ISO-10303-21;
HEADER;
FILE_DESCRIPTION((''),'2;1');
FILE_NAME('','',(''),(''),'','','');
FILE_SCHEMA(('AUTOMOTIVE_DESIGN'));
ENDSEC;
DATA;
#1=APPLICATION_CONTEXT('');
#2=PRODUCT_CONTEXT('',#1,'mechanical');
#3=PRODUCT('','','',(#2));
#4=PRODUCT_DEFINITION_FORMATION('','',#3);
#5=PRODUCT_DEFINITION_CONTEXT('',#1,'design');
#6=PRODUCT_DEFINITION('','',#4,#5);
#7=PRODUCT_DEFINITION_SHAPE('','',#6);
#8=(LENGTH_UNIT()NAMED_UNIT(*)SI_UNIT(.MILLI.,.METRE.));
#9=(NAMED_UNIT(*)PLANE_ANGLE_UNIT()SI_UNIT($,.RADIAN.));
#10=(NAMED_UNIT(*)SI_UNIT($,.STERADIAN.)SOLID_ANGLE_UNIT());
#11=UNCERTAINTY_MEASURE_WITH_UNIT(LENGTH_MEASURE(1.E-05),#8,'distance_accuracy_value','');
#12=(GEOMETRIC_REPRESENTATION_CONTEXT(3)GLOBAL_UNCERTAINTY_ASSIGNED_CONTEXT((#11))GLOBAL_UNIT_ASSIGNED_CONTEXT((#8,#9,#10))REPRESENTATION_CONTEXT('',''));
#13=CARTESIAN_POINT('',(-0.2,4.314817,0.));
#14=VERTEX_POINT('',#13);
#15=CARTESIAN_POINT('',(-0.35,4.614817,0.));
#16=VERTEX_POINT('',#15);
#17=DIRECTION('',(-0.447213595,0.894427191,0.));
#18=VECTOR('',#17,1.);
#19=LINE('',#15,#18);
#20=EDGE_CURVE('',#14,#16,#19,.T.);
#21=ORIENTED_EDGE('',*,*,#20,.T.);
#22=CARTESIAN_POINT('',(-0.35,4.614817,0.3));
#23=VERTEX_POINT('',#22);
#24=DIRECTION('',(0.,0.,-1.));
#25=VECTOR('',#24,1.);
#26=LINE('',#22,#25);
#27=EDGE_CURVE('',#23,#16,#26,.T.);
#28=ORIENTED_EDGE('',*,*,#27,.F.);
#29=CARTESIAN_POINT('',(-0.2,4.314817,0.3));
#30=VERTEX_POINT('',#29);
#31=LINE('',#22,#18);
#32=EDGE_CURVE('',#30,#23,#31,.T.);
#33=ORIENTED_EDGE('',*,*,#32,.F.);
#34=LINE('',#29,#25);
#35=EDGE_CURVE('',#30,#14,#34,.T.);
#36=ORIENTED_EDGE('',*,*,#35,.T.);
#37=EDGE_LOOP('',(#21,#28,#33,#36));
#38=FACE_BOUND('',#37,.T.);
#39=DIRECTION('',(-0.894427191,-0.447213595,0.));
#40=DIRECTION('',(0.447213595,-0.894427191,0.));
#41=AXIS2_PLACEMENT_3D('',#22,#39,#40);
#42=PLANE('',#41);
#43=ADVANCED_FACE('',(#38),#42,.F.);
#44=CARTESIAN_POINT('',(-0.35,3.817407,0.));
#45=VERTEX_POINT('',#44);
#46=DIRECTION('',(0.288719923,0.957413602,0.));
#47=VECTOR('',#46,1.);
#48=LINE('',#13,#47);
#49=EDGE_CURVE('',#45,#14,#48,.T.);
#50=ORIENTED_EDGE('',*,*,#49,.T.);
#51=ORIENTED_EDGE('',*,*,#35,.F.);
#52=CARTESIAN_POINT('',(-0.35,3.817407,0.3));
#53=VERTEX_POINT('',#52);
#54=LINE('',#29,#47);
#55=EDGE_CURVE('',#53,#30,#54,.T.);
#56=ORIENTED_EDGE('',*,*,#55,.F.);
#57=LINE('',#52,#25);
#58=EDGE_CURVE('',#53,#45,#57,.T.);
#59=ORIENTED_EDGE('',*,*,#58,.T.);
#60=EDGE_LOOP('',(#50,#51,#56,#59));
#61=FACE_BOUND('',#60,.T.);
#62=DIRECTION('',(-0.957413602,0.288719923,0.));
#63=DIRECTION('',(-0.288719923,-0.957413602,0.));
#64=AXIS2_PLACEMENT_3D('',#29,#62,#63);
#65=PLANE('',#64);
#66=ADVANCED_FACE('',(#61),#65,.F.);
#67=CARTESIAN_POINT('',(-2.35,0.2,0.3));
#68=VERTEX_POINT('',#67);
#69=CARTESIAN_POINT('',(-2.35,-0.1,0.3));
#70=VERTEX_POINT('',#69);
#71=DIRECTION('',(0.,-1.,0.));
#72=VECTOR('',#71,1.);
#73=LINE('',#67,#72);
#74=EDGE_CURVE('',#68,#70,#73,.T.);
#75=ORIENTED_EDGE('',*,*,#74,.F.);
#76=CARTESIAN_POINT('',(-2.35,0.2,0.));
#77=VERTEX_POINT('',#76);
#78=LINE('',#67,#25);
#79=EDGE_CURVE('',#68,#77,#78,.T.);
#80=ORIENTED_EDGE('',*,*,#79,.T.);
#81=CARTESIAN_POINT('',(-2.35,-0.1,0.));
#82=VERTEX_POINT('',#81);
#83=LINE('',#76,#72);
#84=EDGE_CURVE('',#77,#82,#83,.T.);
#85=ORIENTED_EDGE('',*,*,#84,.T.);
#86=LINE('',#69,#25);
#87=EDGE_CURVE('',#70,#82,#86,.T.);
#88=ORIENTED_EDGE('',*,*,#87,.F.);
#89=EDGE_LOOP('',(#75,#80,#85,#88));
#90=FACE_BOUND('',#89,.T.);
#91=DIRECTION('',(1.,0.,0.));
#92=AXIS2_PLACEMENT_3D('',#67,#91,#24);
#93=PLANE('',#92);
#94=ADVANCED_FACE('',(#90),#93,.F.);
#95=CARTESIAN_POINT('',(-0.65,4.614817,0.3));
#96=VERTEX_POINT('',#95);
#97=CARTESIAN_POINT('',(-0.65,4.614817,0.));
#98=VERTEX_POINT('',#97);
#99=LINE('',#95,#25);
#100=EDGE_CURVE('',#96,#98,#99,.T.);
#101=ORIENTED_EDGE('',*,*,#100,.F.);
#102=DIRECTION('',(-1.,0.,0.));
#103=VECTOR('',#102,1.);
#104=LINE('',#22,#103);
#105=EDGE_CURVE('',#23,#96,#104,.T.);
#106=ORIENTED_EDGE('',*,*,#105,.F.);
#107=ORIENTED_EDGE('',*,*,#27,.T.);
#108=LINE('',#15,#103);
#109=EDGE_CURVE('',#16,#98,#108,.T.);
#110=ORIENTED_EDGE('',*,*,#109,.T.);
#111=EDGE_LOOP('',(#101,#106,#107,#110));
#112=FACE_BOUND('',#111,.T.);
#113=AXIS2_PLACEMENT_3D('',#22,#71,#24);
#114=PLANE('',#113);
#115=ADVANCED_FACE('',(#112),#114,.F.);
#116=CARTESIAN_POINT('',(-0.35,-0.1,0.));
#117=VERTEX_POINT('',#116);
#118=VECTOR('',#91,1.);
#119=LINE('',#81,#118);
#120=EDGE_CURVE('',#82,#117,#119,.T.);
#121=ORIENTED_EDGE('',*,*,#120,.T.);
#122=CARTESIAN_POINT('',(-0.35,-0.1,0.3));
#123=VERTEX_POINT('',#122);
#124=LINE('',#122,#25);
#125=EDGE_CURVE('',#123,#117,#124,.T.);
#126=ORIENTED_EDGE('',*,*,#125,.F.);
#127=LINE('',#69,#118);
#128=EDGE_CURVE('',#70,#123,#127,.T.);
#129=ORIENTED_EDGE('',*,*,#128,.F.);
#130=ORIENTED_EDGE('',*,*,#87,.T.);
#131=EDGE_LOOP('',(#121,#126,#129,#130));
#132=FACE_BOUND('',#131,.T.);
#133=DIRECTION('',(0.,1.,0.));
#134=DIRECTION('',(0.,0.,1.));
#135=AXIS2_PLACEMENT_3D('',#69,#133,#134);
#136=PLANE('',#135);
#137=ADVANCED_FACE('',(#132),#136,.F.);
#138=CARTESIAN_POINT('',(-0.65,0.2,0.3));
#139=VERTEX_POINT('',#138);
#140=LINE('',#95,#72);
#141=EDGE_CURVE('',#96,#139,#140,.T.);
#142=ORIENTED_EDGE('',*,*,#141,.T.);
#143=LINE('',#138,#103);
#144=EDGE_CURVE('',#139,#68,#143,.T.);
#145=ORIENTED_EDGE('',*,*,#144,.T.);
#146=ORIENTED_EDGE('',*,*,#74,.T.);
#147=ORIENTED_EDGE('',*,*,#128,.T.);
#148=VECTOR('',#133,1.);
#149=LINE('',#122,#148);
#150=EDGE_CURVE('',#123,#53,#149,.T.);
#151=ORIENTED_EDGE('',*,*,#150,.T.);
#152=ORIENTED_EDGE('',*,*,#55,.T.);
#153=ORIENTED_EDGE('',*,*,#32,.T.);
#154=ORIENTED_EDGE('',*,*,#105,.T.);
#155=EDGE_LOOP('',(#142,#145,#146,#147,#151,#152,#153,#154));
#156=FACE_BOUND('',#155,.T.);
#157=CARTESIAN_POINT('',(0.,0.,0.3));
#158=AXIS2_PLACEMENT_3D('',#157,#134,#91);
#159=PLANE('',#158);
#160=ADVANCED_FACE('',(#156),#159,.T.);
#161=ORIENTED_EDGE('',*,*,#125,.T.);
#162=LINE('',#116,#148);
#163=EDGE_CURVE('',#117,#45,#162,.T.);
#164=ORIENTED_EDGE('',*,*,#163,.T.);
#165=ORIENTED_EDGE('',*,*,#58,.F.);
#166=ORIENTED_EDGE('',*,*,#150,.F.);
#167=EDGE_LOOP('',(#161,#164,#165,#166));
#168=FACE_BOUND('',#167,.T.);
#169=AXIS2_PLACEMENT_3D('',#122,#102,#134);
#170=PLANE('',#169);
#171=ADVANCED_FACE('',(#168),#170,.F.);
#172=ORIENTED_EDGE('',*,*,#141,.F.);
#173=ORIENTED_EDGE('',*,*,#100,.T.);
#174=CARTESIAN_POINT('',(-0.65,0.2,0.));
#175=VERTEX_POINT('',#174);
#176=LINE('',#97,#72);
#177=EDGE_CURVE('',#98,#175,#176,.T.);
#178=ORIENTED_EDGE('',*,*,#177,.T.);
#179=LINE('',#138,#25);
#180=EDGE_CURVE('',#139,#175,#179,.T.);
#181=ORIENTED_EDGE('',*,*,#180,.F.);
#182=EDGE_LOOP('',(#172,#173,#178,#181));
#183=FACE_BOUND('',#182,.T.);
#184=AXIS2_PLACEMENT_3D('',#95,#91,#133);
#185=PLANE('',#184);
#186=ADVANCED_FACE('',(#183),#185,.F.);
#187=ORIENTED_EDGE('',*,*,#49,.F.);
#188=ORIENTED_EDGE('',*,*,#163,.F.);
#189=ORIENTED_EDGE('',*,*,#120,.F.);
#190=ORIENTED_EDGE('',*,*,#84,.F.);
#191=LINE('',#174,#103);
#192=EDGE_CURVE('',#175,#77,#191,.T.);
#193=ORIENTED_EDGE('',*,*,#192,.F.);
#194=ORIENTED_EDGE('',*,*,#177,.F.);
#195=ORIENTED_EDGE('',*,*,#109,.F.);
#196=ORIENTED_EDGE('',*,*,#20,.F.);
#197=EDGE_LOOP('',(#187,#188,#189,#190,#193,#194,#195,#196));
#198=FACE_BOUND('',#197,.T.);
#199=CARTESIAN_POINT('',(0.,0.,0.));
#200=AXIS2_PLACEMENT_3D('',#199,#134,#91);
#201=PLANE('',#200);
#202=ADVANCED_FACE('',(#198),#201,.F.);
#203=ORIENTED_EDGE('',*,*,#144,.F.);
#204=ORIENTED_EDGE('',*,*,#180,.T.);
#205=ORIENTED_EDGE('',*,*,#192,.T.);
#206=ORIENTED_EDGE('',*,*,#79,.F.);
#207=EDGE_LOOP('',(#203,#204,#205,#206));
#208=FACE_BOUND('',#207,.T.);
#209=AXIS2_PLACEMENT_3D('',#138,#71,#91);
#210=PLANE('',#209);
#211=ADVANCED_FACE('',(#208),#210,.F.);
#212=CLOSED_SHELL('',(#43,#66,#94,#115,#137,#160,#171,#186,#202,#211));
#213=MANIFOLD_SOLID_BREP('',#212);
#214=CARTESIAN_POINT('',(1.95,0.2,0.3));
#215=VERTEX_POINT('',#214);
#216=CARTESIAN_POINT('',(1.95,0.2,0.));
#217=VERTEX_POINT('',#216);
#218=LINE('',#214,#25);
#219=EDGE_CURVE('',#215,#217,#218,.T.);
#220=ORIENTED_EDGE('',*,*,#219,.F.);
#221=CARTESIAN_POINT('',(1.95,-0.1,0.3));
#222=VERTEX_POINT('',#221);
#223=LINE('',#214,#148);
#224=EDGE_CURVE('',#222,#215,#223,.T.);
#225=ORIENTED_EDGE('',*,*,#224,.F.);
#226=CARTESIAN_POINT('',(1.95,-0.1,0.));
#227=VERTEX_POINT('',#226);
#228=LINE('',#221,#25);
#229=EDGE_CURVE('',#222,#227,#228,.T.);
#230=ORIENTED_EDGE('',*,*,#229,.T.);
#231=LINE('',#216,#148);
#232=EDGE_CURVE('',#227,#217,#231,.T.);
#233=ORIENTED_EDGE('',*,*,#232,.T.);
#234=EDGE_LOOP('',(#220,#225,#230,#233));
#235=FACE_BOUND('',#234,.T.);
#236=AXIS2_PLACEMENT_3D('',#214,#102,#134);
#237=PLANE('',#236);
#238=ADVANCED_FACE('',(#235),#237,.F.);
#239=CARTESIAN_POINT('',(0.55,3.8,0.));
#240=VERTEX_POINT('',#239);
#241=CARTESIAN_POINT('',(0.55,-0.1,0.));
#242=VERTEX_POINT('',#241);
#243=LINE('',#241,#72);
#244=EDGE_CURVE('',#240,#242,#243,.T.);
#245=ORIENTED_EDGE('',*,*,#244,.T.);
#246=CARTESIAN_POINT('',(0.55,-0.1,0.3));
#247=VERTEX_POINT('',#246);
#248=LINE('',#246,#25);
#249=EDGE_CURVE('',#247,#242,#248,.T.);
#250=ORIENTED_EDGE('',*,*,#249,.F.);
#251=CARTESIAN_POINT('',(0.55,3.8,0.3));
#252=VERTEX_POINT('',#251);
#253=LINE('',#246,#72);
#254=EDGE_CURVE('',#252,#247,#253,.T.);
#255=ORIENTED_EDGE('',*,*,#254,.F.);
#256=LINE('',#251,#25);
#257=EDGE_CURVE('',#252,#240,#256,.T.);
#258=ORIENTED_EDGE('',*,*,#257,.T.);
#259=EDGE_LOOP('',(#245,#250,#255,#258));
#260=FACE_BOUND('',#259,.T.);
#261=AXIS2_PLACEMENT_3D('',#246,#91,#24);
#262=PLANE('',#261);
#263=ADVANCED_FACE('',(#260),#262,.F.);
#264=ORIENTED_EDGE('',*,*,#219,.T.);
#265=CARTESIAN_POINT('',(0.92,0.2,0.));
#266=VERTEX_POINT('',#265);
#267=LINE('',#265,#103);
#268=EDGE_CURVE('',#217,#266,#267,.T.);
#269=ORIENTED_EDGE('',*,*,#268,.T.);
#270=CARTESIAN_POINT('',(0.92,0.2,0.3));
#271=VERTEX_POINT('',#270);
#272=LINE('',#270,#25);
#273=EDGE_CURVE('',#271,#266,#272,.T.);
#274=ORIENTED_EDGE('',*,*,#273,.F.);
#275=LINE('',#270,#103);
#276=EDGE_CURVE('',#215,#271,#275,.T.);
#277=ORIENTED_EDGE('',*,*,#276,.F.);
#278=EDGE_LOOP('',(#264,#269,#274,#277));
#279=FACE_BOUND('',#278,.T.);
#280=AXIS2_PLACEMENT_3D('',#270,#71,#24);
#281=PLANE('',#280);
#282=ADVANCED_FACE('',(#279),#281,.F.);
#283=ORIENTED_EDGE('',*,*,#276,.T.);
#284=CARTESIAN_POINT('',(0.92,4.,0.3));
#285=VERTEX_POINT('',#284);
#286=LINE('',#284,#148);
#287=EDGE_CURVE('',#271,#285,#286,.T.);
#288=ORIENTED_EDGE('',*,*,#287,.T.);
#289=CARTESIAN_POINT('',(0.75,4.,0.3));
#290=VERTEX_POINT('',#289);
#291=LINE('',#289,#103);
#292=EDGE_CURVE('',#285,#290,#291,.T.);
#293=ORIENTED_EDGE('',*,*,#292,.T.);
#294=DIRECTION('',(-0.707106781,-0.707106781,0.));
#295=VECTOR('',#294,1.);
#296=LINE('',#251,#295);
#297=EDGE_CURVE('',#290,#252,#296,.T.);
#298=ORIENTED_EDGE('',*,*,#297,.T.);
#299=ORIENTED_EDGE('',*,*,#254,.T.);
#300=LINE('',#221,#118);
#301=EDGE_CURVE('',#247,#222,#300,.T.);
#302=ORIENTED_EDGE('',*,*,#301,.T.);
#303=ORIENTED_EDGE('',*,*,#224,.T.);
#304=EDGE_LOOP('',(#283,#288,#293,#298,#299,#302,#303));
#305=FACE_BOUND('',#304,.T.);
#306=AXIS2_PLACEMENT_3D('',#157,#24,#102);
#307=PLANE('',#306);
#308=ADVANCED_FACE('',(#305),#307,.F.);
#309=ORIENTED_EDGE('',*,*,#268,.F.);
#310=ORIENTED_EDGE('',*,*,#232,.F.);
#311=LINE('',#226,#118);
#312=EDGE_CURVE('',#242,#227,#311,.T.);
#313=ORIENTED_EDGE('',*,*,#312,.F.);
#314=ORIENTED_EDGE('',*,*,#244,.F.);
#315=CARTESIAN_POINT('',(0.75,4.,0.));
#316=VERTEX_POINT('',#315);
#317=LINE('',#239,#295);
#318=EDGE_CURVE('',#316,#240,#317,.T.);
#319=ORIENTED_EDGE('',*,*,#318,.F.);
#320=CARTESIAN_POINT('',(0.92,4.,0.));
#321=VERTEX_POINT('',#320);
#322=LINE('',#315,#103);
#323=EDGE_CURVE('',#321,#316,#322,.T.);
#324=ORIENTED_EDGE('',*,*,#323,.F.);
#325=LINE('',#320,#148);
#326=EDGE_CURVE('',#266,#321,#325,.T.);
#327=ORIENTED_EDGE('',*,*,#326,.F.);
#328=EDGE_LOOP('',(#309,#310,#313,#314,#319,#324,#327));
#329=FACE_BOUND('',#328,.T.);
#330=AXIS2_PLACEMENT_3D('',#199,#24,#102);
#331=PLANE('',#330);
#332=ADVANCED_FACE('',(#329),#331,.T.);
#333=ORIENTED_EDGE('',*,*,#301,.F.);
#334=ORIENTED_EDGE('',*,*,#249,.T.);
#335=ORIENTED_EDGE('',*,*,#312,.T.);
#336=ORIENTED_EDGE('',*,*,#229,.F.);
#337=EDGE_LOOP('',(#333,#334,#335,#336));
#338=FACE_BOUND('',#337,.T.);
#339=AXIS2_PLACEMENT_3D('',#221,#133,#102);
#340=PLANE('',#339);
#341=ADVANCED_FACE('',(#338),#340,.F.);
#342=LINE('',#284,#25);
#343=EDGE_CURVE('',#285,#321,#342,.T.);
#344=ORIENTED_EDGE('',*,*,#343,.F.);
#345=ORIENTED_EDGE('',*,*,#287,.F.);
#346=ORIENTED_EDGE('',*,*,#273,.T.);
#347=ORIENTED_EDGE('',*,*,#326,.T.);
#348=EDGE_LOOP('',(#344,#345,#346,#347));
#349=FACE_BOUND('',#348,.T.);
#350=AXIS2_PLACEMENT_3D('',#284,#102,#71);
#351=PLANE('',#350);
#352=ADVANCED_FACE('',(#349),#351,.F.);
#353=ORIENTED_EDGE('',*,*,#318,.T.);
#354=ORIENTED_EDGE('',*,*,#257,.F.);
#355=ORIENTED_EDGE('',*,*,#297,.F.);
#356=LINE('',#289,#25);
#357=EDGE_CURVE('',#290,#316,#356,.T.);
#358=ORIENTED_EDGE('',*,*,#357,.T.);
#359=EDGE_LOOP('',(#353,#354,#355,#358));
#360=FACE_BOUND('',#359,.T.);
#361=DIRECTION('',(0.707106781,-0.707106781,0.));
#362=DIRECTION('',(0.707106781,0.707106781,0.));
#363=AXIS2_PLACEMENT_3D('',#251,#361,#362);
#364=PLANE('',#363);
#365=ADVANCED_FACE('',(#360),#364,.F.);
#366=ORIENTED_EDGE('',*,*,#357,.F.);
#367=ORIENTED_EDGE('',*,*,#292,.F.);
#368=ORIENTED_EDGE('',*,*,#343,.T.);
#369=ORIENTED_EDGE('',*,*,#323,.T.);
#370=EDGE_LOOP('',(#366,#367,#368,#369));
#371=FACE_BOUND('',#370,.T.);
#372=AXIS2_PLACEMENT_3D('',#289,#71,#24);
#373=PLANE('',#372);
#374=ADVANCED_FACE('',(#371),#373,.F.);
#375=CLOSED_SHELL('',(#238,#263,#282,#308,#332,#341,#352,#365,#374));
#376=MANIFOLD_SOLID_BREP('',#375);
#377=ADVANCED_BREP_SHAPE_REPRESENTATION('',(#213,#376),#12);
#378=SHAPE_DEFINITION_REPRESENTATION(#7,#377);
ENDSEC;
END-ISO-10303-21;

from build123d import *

# Parameters (mm, degrees)
RESSALTO_EXTRUS_O1_DEPTH   = 0.3
RESSALTO_EXTRUS_O1_2_DEPTH = 0.3


with BuildPart() as part:
    # Esboço1 → Ressalto-extrusão1 (new body)
    with BuildSketch(Plane.XY):
        Polygon((-2.35, -0.1), (-0.35, -0.1), (-0.35, 3.817407153), (-0.2, 4.314816679), (-0.35, 4.614816679), (-0.65, 4.614816679), (-0.65, 0.2), (-2.35, 0.2), align=None)
    extrude(amount=RESSALTO_EXTRUS_O1_DEPTH)


with BuildPart() as body_2:
    # Esboço1 → Ressalto-extrus_o1 2 (new body)
    with BuildSketch(Plane.XY):
        Polygon((1.95, -0.1), (0.55, -0.1), (0.55, 3.8), (0.75, 4), (0.92, 4), (0.92, 0.2), (1.95, 0.2), align=None)
    extrude(amount=RESSALTO_EXTRUS_O1_2_DEPTH)


solid = Compound([part.part, body_2.part])
